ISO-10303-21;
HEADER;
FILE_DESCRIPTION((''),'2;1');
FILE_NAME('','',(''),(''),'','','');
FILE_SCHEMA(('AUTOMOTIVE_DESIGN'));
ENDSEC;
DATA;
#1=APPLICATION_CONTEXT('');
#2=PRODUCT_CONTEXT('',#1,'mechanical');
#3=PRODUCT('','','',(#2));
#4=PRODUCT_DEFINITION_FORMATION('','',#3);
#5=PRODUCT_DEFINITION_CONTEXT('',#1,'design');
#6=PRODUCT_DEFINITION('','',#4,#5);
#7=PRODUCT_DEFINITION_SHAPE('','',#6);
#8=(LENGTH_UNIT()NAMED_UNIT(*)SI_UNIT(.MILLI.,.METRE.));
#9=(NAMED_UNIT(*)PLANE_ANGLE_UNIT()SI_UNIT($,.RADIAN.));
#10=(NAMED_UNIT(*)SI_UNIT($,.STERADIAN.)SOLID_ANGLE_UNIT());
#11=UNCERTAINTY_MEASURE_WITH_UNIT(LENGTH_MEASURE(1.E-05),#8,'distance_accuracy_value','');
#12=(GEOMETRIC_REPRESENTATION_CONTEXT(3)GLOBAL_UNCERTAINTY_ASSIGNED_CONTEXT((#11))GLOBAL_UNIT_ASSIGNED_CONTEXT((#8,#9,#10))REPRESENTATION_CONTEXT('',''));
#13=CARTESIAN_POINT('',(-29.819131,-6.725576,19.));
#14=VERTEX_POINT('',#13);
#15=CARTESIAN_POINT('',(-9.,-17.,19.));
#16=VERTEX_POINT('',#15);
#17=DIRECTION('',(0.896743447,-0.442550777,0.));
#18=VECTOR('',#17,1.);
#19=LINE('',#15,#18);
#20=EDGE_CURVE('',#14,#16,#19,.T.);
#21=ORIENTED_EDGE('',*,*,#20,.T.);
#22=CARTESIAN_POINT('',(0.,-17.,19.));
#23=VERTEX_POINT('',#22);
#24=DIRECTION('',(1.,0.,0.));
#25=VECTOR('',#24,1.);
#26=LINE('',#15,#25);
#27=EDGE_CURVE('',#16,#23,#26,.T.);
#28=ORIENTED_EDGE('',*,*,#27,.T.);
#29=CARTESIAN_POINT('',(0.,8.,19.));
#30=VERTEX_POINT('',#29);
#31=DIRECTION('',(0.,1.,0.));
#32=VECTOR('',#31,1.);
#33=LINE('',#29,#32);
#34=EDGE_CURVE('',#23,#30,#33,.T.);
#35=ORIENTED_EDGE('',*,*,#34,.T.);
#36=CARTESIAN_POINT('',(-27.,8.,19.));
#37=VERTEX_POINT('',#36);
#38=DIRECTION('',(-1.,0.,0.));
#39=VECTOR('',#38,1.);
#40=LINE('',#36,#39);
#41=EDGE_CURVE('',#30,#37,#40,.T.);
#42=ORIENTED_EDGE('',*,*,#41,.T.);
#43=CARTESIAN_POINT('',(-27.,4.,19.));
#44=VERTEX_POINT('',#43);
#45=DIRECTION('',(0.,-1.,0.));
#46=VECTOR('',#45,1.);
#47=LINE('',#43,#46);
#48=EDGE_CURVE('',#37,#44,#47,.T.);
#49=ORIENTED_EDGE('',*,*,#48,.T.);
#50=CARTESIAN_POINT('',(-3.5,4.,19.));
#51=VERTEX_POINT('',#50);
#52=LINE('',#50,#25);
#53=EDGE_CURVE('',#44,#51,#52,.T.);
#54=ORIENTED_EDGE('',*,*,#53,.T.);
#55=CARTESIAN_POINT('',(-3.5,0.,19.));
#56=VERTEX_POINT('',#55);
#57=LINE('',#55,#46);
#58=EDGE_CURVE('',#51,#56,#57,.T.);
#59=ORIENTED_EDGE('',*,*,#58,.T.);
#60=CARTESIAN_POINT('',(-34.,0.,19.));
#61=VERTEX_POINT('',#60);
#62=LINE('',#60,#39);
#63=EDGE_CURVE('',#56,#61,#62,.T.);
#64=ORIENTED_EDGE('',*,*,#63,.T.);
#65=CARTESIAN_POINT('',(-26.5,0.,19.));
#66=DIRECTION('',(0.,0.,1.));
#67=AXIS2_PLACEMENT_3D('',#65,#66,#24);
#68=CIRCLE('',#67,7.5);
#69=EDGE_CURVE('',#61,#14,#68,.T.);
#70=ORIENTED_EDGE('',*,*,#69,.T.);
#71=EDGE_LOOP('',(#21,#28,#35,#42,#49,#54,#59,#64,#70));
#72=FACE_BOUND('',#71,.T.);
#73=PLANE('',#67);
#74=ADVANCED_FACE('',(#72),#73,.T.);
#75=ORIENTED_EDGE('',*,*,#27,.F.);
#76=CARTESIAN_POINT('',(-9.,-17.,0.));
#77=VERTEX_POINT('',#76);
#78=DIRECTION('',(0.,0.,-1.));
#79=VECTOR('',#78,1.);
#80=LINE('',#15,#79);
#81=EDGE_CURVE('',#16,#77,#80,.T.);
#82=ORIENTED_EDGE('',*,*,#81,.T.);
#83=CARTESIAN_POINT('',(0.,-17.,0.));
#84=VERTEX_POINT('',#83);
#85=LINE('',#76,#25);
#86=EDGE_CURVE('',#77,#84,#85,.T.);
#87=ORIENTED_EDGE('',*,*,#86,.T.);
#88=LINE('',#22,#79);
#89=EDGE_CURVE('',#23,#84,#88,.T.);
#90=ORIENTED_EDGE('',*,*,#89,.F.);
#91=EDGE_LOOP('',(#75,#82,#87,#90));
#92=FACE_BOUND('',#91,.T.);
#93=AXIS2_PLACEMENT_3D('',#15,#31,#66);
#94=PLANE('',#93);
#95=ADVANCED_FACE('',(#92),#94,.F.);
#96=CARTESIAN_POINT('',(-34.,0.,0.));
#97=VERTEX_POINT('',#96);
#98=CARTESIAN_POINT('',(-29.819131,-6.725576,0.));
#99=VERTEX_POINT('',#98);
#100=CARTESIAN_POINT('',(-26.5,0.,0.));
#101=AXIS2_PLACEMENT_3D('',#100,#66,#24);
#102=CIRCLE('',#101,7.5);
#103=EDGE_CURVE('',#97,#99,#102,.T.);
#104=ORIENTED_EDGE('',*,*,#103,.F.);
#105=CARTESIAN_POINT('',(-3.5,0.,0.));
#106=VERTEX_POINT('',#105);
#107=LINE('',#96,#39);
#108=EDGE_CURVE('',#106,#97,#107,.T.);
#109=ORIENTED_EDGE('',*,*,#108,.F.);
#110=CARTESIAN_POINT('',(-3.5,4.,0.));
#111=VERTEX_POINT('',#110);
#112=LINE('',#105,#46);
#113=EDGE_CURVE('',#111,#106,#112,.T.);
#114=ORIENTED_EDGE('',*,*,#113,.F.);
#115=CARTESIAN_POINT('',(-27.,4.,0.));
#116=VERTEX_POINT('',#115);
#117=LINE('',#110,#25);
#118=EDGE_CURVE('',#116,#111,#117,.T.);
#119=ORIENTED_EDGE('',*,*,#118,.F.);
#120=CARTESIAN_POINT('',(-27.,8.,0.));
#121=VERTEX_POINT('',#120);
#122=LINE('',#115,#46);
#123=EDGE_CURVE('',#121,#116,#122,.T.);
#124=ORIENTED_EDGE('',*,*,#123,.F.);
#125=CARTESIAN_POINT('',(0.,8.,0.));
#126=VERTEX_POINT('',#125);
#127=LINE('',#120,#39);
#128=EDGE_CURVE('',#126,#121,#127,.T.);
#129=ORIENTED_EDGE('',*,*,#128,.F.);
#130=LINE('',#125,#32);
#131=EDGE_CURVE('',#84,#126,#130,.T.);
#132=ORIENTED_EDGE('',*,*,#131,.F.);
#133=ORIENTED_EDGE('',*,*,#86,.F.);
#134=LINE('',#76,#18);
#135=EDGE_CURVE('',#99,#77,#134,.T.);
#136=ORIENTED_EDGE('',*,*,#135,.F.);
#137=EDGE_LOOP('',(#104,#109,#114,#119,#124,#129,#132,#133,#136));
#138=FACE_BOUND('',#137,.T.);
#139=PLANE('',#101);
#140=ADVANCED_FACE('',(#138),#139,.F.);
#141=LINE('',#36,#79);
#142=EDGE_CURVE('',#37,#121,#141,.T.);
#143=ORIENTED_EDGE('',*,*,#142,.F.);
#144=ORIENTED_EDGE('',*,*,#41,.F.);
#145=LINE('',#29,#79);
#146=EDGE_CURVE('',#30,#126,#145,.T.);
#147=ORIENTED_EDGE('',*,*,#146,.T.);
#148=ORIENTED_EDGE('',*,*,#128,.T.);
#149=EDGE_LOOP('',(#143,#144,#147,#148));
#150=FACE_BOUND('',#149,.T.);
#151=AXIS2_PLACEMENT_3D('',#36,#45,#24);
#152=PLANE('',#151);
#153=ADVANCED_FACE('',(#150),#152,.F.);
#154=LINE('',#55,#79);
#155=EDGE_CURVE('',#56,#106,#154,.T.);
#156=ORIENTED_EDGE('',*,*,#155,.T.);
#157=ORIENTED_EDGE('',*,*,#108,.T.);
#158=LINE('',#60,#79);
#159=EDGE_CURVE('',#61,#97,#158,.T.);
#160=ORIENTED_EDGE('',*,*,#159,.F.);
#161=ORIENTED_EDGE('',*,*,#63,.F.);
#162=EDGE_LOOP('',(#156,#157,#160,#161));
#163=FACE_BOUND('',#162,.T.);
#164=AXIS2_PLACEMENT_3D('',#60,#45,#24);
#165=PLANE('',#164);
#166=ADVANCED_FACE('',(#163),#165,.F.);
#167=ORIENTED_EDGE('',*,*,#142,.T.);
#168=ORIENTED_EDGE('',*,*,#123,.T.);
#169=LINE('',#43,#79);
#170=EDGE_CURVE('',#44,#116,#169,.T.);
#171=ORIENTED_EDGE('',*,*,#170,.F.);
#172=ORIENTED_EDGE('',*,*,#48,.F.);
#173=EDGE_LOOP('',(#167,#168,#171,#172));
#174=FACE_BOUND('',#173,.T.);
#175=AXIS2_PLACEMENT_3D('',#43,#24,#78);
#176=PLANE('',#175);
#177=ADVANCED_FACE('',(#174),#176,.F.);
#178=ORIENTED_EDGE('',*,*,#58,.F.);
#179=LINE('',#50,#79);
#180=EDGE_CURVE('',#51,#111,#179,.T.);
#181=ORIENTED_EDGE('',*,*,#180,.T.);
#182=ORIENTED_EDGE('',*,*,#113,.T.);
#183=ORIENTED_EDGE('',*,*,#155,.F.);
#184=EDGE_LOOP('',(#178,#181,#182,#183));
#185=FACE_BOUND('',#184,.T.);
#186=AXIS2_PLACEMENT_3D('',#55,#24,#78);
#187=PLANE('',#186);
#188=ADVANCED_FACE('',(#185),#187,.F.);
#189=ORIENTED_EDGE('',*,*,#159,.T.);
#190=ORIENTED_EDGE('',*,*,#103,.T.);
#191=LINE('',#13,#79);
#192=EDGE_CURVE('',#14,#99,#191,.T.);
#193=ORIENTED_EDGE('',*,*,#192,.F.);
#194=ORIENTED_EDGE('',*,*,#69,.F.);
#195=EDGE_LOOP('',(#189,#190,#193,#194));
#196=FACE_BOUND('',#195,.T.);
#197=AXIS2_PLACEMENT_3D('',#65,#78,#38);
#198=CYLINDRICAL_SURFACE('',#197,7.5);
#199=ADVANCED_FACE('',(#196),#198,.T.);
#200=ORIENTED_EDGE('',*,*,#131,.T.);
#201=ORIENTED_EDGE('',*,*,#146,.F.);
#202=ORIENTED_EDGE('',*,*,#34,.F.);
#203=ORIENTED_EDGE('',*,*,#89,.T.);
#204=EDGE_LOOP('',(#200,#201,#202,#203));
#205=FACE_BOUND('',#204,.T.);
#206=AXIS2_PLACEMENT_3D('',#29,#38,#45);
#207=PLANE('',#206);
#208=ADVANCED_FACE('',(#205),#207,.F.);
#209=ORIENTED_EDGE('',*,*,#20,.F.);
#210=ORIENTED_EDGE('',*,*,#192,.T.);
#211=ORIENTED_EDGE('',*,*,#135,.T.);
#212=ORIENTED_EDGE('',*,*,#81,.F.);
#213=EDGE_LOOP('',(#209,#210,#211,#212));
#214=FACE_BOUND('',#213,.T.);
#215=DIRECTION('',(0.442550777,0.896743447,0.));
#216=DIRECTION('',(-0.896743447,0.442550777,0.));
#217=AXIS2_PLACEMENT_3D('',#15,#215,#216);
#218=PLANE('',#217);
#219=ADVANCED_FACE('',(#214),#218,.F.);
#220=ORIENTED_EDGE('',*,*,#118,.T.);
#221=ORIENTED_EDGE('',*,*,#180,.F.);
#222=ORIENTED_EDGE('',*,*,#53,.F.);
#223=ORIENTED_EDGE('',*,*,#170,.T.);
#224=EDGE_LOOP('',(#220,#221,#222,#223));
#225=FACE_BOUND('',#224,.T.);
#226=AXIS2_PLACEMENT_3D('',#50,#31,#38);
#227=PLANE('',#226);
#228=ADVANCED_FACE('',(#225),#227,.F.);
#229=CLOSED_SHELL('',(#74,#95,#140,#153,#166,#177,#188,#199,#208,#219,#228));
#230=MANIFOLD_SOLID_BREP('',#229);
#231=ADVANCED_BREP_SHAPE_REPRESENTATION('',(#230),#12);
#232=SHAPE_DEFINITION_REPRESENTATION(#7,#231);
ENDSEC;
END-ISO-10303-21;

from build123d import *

# Parameters (mm, degrees)
BOSS_EXTRUDE1_DEPTH = 19


with BuildPart() as part:
    # Sketch1 → Boss-Extrude1 (new body)
    with BuildSketch(Plane.XY):
        with BuildLine():
            Line((0, 8), (0, -17))
            Line((0, -17), (-9, -17))
            Line((-9, -17), (-29.819130828, -6.725575852))
            ThreePointArc((-29.819130828, -6.725575852), (-32.869595011, -3.959578184), (-34, 0))
            Line((-34, 0), (-3.5, 0))
            Line((-3.5, 0), (-3.5, 4))
            Line((-3.5, 4), (-27, 4))
            Line((-27, 4), (-27, 8))
            Line((-27, 8), (0, 8))
        make_face()
    extrude(amount=BOSS_EXTRUDE1_DEPTH)


solid = part.part
